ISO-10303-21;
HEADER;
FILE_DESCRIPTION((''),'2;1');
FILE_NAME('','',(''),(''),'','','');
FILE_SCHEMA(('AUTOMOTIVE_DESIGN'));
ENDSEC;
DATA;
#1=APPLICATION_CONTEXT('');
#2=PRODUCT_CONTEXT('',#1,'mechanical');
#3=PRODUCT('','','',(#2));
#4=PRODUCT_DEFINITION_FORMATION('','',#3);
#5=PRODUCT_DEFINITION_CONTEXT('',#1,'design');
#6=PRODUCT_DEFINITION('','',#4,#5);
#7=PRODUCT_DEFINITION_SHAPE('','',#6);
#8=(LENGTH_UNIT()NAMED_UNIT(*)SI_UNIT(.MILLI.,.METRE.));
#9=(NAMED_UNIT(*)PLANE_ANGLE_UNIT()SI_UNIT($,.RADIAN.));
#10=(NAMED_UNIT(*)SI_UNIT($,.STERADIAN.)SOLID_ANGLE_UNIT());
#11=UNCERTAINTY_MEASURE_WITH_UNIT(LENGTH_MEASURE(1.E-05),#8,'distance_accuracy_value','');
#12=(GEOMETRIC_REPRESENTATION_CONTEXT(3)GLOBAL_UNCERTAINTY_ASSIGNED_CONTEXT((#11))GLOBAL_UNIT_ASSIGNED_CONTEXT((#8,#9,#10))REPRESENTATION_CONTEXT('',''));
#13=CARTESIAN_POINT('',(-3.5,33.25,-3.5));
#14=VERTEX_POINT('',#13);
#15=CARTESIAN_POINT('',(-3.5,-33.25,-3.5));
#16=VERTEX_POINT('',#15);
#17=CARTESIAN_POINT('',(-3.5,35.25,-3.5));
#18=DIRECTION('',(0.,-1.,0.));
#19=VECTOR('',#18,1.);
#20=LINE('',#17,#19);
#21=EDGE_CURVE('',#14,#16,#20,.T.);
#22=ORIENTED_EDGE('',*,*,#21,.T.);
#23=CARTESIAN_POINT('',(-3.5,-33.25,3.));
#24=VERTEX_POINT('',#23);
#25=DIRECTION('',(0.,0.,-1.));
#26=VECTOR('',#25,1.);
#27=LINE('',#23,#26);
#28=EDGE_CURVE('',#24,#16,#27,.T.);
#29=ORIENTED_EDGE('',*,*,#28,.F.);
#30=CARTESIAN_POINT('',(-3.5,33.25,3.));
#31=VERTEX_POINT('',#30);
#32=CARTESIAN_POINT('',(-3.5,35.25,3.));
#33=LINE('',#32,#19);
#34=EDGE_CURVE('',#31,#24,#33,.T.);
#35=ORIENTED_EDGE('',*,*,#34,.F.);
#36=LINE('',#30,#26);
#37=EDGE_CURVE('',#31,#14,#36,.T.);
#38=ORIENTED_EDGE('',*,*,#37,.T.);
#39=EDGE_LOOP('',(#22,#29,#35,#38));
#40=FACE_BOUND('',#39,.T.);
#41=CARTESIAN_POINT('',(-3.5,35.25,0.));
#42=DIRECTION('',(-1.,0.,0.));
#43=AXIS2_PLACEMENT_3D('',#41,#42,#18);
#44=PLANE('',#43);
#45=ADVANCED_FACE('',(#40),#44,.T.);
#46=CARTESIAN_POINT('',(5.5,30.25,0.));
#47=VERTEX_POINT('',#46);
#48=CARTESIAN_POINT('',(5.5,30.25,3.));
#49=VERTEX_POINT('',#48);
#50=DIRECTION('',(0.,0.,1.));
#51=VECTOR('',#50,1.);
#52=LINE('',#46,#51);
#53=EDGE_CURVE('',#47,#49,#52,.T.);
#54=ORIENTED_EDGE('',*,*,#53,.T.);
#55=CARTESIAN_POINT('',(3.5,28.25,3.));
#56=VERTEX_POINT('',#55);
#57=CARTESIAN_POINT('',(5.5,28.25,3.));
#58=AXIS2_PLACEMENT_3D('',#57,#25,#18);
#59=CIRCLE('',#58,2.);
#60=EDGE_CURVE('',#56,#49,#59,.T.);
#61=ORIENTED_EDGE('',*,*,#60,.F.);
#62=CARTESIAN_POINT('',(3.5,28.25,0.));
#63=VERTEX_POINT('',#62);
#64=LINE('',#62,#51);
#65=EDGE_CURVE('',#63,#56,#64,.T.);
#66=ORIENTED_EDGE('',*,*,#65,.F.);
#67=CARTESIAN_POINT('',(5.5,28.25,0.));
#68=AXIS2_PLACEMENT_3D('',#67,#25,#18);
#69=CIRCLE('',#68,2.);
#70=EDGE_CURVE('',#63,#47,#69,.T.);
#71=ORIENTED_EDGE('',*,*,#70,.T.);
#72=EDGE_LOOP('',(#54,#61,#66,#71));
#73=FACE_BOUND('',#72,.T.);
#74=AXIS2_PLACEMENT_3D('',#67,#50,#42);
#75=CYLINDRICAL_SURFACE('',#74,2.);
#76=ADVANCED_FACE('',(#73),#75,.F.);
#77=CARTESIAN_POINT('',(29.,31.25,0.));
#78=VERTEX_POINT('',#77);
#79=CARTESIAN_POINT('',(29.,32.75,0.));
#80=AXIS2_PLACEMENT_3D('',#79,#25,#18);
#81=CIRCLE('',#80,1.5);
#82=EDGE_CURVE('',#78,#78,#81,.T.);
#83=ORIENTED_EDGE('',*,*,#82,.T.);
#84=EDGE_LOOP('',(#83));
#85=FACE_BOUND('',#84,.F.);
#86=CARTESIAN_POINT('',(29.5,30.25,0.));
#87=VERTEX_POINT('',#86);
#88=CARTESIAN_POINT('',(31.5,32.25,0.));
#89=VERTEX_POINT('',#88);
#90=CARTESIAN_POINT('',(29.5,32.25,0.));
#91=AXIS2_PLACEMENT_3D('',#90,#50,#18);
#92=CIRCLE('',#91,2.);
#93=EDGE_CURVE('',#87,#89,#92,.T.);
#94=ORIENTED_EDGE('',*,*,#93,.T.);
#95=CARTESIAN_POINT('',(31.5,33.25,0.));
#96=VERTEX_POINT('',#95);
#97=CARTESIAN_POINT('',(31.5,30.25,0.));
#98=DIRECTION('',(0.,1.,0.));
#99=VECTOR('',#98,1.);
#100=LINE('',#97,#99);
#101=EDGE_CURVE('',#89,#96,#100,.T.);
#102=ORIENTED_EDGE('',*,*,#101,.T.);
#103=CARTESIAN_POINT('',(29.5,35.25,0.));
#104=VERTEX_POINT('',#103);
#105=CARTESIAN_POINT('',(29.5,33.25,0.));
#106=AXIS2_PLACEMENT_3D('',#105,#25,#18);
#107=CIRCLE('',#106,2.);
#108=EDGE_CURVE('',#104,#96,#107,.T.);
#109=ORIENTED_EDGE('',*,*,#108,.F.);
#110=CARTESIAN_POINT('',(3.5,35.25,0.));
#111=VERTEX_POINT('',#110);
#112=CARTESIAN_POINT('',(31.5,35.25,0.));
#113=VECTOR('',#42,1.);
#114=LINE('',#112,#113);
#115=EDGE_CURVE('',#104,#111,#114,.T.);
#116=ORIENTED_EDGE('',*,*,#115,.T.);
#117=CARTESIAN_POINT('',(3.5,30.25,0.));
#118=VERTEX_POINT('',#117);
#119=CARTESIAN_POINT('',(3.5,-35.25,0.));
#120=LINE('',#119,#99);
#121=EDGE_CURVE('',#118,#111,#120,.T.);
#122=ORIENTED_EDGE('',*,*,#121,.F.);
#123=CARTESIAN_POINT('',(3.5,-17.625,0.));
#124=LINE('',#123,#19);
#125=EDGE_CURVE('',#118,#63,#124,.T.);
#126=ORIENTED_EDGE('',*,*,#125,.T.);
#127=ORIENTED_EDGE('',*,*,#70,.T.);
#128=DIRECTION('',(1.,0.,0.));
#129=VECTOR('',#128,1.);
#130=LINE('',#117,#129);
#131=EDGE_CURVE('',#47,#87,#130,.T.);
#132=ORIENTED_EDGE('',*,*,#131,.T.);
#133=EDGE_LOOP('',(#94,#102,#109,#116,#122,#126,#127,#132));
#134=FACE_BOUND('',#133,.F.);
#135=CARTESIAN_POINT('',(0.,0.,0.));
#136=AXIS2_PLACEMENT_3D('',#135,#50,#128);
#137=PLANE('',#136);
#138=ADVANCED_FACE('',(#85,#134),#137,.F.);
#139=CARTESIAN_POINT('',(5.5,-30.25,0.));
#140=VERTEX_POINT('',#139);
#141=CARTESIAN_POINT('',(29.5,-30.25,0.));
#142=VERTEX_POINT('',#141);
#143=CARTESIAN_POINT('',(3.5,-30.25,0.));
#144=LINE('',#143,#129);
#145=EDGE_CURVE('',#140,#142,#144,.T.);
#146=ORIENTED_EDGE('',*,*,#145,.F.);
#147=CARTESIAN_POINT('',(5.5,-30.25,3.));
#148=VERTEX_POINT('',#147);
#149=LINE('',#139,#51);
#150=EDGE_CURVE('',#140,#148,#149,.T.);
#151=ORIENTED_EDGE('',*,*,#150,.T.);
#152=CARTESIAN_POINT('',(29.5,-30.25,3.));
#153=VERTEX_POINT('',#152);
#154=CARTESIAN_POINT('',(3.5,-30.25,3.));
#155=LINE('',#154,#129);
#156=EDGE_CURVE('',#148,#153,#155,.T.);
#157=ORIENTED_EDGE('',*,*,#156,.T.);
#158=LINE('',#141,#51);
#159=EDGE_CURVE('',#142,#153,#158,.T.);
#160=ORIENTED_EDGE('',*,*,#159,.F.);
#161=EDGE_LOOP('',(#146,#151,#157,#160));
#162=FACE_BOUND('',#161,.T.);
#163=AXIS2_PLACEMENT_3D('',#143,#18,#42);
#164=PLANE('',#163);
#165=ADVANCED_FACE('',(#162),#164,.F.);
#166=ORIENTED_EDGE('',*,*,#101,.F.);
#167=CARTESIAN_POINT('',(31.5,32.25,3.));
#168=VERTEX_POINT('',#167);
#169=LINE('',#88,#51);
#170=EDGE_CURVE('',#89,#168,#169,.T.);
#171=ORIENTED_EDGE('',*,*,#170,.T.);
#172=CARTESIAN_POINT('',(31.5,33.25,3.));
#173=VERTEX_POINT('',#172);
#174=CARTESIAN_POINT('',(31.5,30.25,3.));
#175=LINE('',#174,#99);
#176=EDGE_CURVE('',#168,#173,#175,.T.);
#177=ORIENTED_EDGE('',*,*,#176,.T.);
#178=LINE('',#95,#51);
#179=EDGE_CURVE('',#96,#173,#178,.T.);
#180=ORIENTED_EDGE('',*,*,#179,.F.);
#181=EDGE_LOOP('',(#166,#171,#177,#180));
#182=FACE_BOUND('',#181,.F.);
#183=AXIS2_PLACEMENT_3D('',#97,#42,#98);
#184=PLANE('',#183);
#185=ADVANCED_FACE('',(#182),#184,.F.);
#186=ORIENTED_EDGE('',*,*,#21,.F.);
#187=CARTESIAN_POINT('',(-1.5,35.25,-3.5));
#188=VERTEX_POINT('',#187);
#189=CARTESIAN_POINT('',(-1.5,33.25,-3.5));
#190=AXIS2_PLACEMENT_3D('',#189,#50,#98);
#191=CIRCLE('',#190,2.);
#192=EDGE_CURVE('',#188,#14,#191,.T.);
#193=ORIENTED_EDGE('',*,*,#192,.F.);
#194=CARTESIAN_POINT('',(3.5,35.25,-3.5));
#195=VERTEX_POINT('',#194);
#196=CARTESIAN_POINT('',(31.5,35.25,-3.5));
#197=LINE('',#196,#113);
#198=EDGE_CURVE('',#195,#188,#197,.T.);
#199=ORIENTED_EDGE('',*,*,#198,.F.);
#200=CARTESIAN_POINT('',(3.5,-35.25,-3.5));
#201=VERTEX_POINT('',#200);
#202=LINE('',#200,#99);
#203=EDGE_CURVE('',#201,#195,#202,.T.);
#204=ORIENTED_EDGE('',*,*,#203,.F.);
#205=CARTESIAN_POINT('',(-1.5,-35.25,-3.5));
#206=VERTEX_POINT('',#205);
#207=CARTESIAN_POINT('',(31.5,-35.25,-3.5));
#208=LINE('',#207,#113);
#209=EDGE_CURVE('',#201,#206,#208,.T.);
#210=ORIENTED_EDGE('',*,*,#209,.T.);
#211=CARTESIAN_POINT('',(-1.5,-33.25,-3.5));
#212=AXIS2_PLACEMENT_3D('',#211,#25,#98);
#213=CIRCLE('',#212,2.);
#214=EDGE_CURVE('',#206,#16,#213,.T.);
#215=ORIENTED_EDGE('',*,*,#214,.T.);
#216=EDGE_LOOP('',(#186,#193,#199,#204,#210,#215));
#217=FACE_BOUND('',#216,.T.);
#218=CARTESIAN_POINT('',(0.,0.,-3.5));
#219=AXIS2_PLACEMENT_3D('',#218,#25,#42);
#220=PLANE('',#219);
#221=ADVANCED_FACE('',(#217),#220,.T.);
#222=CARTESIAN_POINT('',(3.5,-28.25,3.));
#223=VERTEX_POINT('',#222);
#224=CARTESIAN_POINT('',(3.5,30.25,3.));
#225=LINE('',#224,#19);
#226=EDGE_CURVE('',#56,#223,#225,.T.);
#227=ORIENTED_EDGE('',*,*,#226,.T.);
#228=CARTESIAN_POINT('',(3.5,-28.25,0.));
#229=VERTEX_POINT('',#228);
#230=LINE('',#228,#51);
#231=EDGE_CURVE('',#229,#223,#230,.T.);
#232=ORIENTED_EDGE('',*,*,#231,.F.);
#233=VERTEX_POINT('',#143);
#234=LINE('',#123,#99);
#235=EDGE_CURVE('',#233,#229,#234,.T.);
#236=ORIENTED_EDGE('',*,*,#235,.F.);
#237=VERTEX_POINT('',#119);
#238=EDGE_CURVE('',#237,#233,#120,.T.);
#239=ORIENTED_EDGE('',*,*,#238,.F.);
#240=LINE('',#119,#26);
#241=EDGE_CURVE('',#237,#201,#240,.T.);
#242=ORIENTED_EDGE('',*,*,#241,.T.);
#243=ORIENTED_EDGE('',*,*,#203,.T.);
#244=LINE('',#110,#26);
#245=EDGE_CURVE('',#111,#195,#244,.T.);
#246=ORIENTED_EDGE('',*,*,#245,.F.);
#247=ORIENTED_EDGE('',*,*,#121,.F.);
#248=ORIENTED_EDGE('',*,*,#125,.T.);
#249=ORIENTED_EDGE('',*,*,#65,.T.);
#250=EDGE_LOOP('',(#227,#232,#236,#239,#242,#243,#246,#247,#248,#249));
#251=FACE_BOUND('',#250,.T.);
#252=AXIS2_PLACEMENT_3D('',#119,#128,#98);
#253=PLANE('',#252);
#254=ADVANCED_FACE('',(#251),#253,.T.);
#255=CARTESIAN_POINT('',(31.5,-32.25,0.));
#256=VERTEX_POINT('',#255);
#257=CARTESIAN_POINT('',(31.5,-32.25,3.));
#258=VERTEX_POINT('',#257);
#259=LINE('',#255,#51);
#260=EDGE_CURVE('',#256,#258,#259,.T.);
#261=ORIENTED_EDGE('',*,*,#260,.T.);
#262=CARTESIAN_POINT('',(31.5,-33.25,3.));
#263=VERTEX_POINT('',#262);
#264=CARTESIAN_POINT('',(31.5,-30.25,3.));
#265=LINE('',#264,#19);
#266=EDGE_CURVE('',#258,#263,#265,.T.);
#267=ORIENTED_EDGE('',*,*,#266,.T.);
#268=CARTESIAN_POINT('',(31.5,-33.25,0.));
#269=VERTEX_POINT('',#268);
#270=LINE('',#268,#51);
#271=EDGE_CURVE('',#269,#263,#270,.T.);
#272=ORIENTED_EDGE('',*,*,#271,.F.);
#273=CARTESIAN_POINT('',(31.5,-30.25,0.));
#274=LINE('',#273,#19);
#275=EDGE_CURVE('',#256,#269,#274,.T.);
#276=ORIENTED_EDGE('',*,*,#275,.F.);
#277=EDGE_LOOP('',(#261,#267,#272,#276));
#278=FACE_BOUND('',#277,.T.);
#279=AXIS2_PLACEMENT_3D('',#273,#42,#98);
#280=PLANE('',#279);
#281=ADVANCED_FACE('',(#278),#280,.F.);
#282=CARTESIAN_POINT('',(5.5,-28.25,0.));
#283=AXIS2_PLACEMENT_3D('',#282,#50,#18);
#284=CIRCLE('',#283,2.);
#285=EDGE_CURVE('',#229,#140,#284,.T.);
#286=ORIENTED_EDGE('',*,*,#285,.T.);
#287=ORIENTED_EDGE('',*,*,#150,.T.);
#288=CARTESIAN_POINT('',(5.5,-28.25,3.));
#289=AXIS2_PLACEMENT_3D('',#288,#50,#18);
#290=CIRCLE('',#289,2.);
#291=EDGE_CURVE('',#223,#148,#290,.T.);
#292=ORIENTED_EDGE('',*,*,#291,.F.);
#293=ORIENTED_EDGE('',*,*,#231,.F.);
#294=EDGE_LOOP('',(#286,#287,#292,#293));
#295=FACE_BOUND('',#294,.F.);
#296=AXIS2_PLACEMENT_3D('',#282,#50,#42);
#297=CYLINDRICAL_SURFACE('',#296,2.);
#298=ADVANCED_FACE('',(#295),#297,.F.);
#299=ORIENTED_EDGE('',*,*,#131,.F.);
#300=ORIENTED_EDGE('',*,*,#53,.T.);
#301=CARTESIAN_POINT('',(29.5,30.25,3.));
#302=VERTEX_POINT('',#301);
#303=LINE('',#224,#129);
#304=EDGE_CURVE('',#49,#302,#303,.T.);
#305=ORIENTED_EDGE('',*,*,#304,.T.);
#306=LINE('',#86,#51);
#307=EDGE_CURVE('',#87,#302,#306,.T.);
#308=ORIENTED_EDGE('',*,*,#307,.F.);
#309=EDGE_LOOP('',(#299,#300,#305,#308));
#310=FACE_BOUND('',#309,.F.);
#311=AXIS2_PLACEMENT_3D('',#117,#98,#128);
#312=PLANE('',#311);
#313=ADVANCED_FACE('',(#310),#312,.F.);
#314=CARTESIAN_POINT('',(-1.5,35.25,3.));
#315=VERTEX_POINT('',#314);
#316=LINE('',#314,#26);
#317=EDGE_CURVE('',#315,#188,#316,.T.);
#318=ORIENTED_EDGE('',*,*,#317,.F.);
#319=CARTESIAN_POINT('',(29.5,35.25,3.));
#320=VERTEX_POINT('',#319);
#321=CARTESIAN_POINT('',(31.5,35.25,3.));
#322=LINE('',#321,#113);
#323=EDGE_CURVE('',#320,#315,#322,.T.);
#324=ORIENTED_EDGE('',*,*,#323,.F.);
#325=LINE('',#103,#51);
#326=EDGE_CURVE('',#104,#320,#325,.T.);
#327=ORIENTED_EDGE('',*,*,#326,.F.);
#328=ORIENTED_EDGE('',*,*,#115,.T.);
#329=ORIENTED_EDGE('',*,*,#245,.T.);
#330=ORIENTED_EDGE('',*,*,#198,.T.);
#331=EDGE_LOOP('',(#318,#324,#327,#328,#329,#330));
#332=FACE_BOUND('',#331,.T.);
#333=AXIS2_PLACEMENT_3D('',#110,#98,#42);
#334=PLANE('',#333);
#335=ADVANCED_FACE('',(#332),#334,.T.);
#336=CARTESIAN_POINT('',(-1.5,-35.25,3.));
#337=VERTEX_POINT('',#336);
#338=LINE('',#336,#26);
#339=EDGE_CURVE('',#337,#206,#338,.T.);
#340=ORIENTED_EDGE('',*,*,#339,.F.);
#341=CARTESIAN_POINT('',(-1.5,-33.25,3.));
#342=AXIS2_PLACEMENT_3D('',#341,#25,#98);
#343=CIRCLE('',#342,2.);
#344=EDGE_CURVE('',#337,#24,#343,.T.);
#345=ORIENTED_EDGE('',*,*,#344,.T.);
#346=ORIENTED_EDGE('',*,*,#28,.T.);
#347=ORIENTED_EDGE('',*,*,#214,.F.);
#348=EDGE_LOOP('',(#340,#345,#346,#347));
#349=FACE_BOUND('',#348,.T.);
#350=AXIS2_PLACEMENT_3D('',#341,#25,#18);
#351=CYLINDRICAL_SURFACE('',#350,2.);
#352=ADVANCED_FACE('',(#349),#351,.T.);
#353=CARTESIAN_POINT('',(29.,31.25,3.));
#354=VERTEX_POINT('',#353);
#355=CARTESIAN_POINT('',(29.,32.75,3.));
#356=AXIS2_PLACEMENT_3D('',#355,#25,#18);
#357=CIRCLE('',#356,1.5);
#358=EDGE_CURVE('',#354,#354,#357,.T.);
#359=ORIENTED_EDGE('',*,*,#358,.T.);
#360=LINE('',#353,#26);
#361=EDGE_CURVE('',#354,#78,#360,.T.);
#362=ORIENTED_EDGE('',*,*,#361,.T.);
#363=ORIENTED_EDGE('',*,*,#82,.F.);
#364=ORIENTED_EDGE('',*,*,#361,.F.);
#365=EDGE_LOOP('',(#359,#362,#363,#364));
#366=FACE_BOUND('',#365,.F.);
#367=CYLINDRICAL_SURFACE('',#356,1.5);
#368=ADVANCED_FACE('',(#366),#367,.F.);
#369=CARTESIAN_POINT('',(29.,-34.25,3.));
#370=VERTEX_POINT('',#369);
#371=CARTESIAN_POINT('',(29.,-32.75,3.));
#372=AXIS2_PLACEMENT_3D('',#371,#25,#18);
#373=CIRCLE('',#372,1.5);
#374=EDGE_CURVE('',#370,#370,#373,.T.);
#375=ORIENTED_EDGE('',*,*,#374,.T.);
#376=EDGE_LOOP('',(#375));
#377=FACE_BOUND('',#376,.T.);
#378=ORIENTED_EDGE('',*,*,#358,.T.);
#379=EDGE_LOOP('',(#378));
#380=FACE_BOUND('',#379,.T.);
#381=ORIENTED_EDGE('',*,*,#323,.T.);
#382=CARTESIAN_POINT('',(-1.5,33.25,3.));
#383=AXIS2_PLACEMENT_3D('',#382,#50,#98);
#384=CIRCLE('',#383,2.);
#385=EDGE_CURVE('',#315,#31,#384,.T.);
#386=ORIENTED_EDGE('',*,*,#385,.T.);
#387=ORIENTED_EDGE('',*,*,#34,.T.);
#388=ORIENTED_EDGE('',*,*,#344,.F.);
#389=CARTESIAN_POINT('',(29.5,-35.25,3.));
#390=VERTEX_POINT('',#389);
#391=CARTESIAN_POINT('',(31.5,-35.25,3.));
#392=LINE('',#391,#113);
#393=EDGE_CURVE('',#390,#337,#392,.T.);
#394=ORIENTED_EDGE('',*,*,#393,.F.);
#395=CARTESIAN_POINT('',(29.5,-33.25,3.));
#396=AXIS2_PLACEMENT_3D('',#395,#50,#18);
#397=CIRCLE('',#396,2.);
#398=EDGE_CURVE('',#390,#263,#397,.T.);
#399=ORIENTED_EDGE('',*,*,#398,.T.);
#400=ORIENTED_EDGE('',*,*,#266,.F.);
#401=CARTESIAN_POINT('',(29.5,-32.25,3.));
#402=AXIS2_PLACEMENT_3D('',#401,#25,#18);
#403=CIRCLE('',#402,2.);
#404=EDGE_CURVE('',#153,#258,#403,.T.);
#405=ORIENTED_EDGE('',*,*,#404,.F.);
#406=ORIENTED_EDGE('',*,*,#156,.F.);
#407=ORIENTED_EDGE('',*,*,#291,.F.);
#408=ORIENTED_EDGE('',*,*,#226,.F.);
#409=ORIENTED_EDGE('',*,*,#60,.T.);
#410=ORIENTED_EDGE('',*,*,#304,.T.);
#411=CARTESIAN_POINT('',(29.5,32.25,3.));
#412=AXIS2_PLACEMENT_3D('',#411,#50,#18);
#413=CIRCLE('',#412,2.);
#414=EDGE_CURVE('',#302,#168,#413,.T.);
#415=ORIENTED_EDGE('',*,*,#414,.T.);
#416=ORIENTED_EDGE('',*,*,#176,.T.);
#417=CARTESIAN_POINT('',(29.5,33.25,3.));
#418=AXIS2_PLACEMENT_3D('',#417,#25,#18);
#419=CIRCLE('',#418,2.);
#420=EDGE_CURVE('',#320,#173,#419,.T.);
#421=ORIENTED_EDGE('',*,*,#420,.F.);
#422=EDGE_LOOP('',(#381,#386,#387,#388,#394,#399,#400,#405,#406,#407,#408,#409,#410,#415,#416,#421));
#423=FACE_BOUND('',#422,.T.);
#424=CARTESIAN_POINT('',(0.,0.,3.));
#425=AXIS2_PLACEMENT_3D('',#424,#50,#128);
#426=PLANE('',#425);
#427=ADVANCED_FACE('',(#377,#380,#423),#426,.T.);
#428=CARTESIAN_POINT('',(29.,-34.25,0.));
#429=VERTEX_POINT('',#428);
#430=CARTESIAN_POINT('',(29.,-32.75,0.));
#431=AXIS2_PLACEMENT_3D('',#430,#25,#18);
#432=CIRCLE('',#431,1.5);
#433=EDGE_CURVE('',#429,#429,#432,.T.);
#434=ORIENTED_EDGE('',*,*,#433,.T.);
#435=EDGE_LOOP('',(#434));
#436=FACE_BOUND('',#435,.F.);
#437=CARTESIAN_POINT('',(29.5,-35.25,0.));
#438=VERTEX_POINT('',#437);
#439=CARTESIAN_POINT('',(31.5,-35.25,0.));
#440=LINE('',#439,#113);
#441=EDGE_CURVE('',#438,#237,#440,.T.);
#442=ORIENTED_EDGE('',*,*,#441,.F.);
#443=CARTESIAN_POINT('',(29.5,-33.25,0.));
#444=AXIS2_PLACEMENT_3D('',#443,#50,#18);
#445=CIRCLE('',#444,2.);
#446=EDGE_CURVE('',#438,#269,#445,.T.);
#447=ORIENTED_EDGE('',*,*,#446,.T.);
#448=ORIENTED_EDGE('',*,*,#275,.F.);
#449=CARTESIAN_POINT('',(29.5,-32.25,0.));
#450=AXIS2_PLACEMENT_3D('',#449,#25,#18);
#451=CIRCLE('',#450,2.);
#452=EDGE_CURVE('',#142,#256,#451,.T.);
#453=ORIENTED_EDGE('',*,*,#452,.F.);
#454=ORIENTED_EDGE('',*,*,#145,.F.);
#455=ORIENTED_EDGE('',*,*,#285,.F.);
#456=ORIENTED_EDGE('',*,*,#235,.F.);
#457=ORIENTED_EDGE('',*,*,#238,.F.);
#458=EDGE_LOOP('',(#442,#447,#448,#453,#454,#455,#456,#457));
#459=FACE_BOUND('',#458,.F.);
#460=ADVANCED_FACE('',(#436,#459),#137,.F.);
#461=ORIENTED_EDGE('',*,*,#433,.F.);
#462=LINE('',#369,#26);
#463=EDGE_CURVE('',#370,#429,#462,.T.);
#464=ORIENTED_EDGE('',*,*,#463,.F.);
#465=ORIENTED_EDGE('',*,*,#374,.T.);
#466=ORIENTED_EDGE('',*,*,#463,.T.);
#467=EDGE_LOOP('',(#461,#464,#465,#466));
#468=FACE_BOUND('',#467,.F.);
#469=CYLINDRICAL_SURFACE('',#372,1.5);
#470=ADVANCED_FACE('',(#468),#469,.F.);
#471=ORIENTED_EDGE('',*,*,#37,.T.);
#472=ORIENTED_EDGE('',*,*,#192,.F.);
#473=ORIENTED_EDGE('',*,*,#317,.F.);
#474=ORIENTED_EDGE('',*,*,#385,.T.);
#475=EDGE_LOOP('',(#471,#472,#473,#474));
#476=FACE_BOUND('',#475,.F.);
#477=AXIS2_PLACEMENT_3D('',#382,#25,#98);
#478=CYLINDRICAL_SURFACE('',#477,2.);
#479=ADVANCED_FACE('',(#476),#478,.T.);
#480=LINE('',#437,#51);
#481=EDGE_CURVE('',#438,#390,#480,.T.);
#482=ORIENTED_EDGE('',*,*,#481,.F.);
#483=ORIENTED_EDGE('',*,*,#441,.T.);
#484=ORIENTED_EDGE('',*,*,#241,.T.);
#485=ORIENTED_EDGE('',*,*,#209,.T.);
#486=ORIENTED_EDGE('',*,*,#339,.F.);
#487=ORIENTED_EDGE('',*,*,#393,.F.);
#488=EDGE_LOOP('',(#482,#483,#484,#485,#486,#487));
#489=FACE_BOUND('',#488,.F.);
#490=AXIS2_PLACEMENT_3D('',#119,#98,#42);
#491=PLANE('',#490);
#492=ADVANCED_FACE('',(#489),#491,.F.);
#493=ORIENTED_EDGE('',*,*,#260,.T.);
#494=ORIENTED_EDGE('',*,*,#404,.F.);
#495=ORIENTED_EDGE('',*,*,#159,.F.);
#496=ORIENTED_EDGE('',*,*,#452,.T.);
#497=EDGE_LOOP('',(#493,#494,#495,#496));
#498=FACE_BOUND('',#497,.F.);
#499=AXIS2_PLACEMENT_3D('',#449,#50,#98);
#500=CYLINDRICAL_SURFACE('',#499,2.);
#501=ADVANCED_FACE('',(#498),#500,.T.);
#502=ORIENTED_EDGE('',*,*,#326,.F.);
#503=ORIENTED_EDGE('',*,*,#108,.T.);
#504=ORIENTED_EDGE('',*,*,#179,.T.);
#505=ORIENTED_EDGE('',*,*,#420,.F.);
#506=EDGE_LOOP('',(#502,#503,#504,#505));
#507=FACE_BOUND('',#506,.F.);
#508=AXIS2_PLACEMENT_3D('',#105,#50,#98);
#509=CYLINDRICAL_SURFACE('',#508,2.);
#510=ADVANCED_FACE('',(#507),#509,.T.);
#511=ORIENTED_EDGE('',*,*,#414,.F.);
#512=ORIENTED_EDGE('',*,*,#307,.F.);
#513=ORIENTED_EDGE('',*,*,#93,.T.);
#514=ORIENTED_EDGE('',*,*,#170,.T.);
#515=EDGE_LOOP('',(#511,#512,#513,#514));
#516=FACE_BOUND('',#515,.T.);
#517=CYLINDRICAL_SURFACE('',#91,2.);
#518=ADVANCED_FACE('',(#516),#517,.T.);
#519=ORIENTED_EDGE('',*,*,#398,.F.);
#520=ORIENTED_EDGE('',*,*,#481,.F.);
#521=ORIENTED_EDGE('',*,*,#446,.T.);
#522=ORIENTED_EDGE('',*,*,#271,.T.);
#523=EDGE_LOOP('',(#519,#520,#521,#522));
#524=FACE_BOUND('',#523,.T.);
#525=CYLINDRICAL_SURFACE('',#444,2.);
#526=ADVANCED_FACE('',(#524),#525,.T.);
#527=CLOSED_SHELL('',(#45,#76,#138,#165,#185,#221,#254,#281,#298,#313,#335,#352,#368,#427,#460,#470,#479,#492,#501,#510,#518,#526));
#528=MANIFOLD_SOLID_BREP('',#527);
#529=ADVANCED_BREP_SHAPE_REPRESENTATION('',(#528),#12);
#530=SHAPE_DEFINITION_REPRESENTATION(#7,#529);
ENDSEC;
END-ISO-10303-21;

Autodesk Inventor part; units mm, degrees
ref_plane "YZ Plane" through (0, 0, 0) normal (1, 0, 0) x (0, 1, 0)
ref_plane "XZ Plane" through (0, 0, 0) normal (0, 1, 0) x (-1, 0, 0)
ref_plane "XY Plane" through (0, 0, 0) normal (0, 0, 1) x (1, 0, 0)
sketch "Sketch1" plane through (0, 0, 0) normal (0, 0, 1) x (1, 0, 0)
  line L0 (31.5, 30.25) -> (31.5, 35.25)
  line L1 (31.5, 35.25) -> (-3.5, 35.25)
  line L2 (-3.5, 35.25) -> (-3.5, 0)
  line L3 (-3.5, 0) -> (3.5, 0)
  line L4 (3.5, 0) -> (3.5, 30.25)
  line L5 (3.5, 30.25) -> (31.5, 30.25)
  point P0 (0, 0)
  point P1 (0, 0)
  point P2 (31.5, 32.75)
  dimension "d0" = 7
  dimension "d2" = 5
  dimension "d3" = 35
  dimension "d4" = 32.75
extrude "Extrusion1" add sketch "Sketch1" along normal blind 3
mirror "Mirror1" about plane through (0, 0, 0) normal (0, 1, 0) of "Extrusion1"
sketch "Sketch2" plane through (0, 0, 0) normal (0, 0, -1) x (-1, 0, 0)
  line L0 (-31.5, -35.25) -> (3.5, -35.25) projected
  line L1 (-31.5, 35.25) -> (3.5, 35.25) projected
  line L2 (3.5, -35.25) -> (-3.5, -35.25)
  line L3 (-3.5, -35.25) -> (-3.5, 35.25)
  line L4 (-3.5, 35.25) -> (3.5, 35.25)
  line L5 (3.5, 35.25) -> (3.5, -35.25)
  line L6 (-3.5, 30.25) -> (-3.5, -30.25) projected
  point P0 (0, 0)
  point P1 (-3.5, 0)
  point P2 (3.5, 35.25)
  point P3 (-3.5, -35.25)
extrude "Extrusion2" add sketch "Sketch2" along normal blind 3.5
sketch "Sketch3" plane through (0, 0, 3) normal (0, 0, 1) x (1, 0, 0)
  line L0 (29, 32.75) -> (29, -32.75)
  line L1 (31.5, 30.25) -> (31.5, 35.25) projected
  point P0 (0, 0)
  point P1 (29, 0)
  dimension "d16" = 65.5
  dimension "d18" = 2.5
hole "Hole1" at (29, -32.75, 3) at (29, 32.75, 3) direction (0, 0, -1) diameter 3 end through all
fillet "Fillet1" radius 2 8 edges at (31.5, -35.25, 1.5) (31.5, -30.25, 1.5) (31.5, 30.25, 1.5) (31.5, 35.25, 1.5) (-3.5, -35.25, -0.25) (-3.5, 35.25, -0.25) (3.5, -30.25, 1.5) (3.5, 30.25, 1.5)
properties part number "Display_Hilder" material "PC/ABS Plastic"
